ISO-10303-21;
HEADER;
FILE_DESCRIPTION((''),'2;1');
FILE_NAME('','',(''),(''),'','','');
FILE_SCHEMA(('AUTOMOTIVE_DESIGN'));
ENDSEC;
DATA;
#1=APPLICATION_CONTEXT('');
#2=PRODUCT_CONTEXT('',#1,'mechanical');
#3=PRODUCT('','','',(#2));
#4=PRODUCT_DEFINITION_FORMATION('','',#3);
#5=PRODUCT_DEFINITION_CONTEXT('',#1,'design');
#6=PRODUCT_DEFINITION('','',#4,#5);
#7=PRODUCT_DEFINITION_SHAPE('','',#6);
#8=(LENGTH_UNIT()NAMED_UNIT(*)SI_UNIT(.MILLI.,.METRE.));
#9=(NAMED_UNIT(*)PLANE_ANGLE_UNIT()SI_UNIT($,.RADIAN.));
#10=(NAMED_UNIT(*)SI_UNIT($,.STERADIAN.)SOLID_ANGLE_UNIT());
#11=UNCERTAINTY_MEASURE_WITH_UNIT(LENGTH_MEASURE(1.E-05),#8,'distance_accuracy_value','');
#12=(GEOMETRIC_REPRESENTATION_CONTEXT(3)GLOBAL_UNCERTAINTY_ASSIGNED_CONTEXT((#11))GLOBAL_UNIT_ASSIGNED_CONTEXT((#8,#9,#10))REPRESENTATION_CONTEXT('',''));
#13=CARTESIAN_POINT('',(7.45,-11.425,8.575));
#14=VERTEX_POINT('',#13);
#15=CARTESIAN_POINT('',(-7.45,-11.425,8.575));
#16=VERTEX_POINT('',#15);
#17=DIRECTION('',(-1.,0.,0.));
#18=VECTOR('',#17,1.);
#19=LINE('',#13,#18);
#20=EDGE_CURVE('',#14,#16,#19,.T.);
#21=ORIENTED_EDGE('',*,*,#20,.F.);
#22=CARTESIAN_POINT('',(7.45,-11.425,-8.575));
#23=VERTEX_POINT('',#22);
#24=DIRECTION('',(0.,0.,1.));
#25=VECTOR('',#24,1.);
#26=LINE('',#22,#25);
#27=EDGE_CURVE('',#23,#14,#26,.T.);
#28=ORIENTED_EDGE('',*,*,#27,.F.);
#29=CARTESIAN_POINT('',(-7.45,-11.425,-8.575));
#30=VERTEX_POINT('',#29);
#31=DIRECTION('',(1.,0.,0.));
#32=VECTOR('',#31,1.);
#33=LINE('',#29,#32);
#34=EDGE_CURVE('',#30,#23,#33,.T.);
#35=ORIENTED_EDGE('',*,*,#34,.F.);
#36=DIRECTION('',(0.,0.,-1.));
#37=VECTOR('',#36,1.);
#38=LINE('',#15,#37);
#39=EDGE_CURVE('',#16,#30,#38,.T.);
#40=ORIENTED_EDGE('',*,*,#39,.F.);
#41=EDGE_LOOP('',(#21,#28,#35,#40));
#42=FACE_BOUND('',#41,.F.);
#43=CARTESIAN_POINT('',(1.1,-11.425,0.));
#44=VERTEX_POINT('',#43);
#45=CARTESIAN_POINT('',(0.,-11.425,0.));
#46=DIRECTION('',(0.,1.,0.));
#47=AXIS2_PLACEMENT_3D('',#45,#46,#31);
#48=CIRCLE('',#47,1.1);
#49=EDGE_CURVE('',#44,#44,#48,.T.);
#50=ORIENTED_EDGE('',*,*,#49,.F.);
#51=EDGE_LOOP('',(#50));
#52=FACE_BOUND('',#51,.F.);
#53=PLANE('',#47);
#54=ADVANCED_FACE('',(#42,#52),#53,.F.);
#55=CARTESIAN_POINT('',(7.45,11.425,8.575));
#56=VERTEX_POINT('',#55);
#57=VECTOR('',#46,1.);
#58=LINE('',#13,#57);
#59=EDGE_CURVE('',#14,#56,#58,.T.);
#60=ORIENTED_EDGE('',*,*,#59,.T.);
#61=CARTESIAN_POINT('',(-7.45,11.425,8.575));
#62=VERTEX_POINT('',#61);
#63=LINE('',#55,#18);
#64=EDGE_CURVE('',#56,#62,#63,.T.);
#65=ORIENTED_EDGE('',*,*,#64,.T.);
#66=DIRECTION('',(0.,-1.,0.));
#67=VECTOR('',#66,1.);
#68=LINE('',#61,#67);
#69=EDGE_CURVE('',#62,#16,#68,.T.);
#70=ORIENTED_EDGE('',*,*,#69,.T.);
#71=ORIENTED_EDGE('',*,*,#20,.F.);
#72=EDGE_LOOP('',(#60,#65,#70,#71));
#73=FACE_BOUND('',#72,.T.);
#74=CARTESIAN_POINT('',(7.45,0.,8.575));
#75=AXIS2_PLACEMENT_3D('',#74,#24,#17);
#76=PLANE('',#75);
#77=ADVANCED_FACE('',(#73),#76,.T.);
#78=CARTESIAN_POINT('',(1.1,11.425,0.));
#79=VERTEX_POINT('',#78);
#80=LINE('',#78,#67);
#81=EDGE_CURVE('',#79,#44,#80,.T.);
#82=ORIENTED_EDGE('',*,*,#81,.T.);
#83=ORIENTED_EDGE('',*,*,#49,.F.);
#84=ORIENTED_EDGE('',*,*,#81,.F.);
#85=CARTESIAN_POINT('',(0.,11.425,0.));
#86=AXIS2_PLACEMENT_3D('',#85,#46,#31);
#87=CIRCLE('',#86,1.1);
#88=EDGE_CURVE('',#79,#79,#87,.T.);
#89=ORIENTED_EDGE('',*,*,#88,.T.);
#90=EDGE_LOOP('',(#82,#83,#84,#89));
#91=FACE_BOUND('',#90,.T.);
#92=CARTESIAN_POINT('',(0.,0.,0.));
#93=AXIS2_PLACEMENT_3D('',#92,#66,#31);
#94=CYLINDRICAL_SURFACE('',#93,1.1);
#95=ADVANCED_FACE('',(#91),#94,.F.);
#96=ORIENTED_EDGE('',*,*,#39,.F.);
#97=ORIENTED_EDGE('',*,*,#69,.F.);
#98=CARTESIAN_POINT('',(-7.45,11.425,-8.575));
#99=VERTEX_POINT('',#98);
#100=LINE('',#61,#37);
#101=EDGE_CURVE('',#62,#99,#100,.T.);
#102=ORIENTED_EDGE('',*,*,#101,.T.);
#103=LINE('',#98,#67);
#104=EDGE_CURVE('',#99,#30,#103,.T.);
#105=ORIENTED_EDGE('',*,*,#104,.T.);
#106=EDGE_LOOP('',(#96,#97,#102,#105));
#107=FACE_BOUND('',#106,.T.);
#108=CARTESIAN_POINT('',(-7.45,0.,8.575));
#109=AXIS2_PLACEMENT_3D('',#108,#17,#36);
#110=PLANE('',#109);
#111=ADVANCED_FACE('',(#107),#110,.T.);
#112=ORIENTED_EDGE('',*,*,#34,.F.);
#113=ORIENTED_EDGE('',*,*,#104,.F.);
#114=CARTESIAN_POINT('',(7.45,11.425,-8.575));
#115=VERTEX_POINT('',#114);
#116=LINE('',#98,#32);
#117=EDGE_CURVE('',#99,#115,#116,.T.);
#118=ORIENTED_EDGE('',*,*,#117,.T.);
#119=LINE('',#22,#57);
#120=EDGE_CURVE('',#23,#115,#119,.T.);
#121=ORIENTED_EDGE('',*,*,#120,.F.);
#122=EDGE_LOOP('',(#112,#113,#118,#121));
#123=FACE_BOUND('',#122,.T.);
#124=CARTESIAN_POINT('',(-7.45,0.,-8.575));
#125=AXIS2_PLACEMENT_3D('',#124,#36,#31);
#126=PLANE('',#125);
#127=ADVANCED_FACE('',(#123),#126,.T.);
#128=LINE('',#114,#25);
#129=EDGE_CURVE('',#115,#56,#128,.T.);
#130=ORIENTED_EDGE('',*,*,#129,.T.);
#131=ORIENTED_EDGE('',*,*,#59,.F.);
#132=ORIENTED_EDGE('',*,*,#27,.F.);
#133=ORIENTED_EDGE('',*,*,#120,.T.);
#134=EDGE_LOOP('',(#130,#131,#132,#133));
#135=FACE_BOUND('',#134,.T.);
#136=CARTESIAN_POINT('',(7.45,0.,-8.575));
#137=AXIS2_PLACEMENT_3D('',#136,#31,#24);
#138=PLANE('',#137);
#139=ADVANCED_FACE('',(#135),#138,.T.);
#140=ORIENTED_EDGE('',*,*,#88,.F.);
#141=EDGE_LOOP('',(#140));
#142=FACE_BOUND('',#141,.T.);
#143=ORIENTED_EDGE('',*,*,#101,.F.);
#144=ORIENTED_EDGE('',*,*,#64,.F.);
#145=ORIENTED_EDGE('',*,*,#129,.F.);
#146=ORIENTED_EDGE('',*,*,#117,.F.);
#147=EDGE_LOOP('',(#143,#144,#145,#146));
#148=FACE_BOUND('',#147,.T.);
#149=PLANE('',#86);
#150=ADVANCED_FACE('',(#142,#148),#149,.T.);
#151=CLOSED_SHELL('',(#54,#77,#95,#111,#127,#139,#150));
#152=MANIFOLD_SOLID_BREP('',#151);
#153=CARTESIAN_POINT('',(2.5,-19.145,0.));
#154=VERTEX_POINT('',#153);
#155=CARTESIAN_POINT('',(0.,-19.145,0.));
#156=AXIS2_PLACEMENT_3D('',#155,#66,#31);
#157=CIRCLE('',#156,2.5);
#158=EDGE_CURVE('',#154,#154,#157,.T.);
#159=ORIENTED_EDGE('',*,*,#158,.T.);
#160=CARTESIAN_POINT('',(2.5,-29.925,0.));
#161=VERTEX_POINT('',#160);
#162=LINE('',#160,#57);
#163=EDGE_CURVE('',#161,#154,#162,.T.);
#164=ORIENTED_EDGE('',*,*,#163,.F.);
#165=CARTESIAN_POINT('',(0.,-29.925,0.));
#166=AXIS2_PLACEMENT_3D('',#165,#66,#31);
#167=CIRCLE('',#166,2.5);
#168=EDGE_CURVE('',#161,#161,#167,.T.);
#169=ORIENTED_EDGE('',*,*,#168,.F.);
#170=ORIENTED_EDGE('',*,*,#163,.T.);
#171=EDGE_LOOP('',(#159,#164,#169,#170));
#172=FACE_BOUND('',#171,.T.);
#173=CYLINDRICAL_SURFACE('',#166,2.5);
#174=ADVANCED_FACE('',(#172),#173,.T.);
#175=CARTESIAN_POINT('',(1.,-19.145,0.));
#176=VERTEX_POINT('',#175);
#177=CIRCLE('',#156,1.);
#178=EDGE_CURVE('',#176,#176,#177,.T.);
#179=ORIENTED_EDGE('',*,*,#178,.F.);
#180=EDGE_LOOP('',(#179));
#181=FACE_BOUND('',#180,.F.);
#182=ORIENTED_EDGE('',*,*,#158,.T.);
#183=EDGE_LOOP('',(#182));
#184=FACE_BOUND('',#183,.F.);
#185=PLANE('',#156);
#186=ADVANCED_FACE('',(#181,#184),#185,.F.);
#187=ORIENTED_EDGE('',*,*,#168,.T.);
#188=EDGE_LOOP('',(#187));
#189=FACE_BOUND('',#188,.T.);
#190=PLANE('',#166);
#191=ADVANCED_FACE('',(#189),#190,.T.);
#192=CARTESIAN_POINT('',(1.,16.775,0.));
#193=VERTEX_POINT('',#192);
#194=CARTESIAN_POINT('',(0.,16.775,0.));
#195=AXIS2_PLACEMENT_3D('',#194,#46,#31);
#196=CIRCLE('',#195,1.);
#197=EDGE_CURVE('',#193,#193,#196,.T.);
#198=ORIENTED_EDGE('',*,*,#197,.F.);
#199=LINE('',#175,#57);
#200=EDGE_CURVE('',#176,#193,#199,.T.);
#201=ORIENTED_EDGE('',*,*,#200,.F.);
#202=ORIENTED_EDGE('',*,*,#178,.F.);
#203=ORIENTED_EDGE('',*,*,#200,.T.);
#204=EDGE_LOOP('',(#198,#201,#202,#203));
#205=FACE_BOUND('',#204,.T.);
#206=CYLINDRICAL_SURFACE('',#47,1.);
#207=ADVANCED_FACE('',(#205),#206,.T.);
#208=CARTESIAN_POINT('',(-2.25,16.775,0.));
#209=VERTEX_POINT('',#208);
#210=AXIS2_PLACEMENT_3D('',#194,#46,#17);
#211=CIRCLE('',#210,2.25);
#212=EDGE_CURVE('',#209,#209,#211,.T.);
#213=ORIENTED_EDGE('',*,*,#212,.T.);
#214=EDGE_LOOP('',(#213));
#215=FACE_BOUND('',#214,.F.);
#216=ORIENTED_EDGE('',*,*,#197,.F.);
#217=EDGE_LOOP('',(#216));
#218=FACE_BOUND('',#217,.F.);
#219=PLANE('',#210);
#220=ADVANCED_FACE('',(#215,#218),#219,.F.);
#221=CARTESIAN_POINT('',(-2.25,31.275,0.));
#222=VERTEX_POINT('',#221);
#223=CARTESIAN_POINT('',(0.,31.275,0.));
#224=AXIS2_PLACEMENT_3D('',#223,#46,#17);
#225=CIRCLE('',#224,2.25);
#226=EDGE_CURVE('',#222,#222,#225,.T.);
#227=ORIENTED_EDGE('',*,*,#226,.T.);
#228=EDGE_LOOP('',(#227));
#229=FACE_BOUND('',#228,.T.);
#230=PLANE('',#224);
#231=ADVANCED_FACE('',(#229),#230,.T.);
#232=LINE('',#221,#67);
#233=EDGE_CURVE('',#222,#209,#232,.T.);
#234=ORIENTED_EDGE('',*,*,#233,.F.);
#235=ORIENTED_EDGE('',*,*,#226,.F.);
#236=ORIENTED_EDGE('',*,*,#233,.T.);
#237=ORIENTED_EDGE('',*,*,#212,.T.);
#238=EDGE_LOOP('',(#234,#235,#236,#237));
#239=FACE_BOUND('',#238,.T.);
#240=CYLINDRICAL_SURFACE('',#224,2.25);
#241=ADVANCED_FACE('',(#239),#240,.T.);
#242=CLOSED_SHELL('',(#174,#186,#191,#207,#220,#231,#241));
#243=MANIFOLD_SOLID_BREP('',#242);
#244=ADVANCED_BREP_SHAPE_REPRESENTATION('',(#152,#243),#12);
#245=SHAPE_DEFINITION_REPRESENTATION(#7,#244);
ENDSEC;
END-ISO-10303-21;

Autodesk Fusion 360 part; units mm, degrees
sketch "Sketch1" plane through (0, 0, 0) normal (0, 1, 0) x (1, 0, 0)
  line L0 (7.45, -8.575) -> (-7.45, -8.575)
  line L1 (-7.45, -8.575) -> (-7.45, 8.575)
  line L2 (-7.45, 8.575) -> (7.45, 8.575)
  line L3 (7.45, 8.575) -> (7.45, -8.575)
  line L4 (7.45, -8.575) -> (-7.45, 8.575) construction
  line L5 (-7.45, -8.575) -> (7.45, 8.575) construction
  circle A0 centre (0, 0) radius 1
  circle A1 centre (0, 0) radius 1.1
  dimension "d1" = 14.9
  dimension "d2" = 17.15
  dimension "d5" = 2.2
  dimension "d6" = 2
extrude "Extrude1" add sketch "Sketch1" along normal mid plane 22.85 contours L0 L1 L2 L3 makes body 1
extrude "Extrude2" add sketch "Sketch1" along normal blind 42.7 and the other way blind 18.5 from surface at -11.425 separate body contours A0 makes body 2
sketch "Sketch2" plane through (0, -29.925, 0) normal (0, -1, 0) x (1, 0, 0)
  circle A0 centre (0, 0) radius 1
  circle A1 centre (0, 0) radius 2.5
  dimension "d11" = 5
extrude "Extrude3" add sketch "Sketch2" against normal blind 10.78 bodies 1 2
sketch "Sketch3" plane through (0, 31.275, 0) normal (0, 1, 0) x (-1, 0, 0)
  circle A0 centre (0, 0) radius 1
  circle A1 centre (0, 0) radius 2.25
  dimension "d15" = 4.5
extrude "Extrude4" add sketch "Sketch3" against normal blind 14.5 bodies 2
copy_body "Body->Comp1" bodies 1 removing the originals makes body 3 in component "Body"
copy_body "Body->Comp2" bodies 2 removing the originals makes body 4 in component "Rod"
component "Body" placed x (1, 0, 0) y (0, 1, 0) z (0, 0, 1) at (0, 0, 0)
component "Rod" placed x (1, 0, 0) y (0, 1, 0) z (0, 0, 1) at (0, 0, 0)
equation "d5 = d6 + 0.2 mm"
